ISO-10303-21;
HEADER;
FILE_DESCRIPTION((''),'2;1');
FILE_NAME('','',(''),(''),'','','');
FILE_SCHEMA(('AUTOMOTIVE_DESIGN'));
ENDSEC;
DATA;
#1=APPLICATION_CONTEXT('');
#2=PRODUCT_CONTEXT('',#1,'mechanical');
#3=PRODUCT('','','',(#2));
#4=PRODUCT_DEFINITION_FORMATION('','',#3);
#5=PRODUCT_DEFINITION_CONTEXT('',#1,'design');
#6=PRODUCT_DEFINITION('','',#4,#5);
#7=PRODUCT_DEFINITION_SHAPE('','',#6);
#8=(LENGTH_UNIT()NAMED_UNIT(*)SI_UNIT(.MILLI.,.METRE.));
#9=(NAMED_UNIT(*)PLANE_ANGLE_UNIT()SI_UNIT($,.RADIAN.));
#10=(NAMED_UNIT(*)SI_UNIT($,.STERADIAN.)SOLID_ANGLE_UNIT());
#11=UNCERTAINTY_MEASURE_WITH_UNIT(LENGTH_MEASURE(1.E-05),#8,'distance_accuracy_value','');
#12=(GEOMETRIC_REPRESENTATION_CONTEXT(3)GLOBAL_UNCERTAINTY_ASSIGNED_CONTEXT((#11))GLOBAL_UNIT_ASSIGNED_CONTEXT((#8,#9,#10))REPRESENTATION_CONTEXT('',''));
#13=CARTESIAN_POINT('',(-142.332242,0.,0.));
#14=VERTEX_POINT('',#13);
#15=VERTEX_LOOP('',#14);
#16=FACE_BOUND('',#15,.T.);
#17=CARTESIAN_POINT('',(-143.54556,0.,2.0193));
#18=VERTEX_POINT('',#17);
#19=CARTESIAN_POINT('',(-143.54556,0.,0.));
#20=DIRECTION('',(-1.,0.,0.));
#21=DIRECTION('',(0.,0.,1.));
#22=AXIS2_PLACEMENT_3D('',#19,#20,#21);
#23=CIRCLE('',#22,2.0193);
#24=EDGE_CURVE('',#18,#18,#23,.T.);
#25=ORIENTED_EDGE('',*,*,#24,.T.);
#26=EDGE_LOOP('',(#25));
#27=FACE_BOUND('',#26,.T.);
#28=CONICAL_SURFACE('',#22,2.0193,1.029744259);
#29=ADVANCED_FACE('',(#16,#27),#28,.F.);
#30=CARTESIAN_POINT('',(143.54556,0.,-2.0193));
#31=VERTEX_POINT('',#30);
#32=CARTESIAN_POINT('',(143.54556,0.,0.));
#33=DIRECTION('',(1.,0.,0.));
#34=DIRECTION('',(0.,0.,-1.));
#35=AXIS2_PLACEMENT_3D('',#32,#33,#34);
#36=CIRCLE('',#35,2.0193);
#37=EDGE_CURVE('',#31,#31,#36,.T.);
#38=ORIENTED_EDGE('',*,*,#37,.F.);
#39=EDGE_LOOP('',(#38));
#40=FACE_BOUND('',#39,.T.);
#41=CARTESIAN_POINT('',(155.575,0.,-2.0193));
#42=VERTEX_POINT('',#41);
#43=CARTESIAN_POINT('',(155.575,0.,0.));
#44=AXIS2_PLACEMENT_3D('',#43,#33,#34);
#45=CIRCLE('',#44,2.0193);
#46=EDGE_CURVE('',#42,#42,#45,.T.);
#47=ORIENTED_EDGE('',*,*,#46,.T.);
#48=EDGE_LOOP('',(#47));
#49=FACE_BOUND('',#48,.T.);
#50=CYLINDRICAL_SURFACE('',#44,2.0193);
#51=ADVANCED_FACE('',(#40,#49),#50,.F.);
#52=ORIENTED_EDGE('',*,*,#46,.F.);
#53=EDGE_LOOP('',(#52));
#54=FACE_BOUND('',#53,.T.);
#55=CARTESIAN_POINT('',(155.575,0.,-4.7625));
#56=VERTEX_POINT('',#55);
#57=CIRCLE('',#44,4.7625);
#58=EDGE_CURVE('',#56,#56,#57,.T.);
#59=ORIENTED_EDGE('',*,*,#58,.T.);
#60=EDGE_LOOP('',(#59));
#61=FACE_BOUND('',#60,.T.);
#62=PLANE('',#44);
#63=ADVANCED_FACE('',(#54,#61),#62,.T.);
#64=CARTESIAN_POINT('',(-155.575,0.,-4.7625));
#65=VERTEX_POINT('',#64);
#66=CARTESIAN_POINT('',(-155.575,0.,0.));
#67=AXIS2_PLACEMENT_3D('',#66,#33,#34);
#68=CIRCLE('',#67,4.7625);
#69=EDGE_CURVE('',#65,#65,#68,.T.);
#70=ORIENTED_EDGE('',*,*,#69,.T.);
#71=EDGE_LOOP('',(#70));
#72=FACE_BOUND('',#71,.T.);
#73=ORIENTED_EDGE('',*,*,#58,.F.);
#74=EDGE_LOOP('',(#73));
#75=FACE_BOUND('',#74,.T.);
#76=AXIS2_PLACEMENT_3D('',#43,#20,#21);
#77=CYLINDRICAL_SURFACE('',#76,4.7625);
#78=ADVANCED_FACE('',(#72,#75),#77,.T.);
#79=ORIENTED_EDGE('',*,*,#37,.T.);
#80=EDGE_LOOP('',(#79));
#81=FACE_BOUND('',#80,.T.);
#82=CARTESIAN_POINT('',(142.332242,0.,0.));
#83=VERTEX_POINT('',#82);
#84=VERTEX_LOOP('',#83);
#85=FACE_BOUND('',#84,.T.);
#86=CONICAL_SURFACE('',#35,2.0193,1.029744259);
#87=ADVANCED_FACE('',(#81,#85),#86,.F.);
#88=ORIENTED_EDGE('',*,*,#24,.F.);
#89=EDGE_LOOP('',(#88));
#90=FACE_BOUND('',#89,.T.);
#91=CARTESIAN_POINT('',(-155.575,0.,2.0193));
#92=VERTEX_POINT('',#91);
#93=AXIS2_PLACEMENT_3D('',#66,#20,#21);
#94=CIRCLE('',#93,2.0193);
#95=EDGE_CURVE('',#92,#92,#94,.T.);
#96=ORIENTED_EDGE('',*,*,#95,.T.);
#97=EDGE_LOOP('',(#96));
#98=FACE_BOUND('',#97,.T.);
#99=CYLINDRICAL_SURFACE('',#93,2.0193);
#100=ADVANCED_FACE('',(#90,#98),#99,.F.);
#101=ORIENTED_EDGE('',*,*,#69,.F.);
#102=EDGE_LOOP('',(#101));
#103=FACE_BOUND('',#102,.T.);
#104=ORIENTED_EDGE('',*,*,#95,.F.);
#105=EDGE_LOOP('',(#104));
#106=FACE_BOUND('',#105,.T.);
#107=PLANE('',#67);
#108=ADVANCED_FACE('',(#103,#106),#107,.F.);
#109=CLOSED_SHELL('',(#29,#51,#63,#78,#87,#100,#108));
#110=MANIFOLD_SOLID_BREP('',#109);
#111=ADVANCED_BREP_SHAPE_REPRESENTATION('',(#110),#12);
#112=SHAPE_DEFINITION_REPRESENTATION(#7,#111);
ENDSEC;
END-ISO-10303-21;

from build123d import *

# Parameters (mm, degrees)
SKETCH1_R                            = 4.7625
BOSS_EXTRUDE1_DEPTH                  = 155.575
F_10_32_TAPPED_HOLE1_D               = 4.0386
F_10_32_TAPPED_HOLE1_DEPTH           = 12.02944
F_10_32_TAPPED_HOLE1_TIP             = 1.213317848
F_10_32_TAPPED_HOLE1_ON_FACE_2_D     = 4.0386
F_10_32_TAPPED_HOLE1_ON_FACE_2_DEPTH = 12.02944
F_10_32_TAPPED_HOLE1_ON_FACE_2_TIP   = 1.213317848


with BuildPart() as part:
    # Sketch1 → Boss-Extrude1 (new, symmetric)
    with BuildSketch(Plane(origin=(0, 0, 0), x_dir=(0, 0, -1), z_dir=(1, 0, 0))):
        Circle(SKETCH1_R)
    extrude(amount=BOSS_EXTRUDE1_DEPTH, both=True)

    # #10-32 Tapped Hole1
    with Locations(Plane(origin=(155.575, 0, 0), x_dir=(0, 0, 1), z_dir=(1, 0, 0))):
        with Locations((0, 0)):
            Hole(F_10_32_TAPPED_HOLE1_D / 2, depth=F_10_32_TAPPED_HOLE1_DEPTH)
            with Locations((0, 0, -(F_10_32_TAPPED_HOLE1_DEPTH + F_10_32_TAPPED_HOLE1_TIP / 2))):  # 118° drill point
                Cone(0, F_10_32_TAPPED_HOLE1_D / 2, F_10_32_TAPPED_HOLE1_TIP, mode=Mode.SUBTRACT)

    # #10-32 Tapped Hole1 on face 2
    with Locations(Plane(origin=(-155.575, 0, 0), x_dir=(0, 0, -1), z_dir=(-1, 0, 0))):
        with Locations((0, 0)):
            Hole(F_10_32_TAPPED_HOLE1_ON_FACE_2_D / 2, depth=F_10_32_TAPPED_HOLE1_ON_FACE_2_DEPTH)
            with Locations((0, 0, -(F_10_32_TAPPED_HOLE1_ON_FACE_2_DEPTH + F_10_32_TAPPED_HOLE1_ON_FACE_2_TIP / 2))):  # 118° drill point
                Cone(0, F_10_32_TAPPED_HOLE1_ON_FACE_2_D / 2, F_10_32_TAPPED_HOLE1_ON_FACE_2_TIP, mode=Mode.SUBTRACT)


solid = part.part
